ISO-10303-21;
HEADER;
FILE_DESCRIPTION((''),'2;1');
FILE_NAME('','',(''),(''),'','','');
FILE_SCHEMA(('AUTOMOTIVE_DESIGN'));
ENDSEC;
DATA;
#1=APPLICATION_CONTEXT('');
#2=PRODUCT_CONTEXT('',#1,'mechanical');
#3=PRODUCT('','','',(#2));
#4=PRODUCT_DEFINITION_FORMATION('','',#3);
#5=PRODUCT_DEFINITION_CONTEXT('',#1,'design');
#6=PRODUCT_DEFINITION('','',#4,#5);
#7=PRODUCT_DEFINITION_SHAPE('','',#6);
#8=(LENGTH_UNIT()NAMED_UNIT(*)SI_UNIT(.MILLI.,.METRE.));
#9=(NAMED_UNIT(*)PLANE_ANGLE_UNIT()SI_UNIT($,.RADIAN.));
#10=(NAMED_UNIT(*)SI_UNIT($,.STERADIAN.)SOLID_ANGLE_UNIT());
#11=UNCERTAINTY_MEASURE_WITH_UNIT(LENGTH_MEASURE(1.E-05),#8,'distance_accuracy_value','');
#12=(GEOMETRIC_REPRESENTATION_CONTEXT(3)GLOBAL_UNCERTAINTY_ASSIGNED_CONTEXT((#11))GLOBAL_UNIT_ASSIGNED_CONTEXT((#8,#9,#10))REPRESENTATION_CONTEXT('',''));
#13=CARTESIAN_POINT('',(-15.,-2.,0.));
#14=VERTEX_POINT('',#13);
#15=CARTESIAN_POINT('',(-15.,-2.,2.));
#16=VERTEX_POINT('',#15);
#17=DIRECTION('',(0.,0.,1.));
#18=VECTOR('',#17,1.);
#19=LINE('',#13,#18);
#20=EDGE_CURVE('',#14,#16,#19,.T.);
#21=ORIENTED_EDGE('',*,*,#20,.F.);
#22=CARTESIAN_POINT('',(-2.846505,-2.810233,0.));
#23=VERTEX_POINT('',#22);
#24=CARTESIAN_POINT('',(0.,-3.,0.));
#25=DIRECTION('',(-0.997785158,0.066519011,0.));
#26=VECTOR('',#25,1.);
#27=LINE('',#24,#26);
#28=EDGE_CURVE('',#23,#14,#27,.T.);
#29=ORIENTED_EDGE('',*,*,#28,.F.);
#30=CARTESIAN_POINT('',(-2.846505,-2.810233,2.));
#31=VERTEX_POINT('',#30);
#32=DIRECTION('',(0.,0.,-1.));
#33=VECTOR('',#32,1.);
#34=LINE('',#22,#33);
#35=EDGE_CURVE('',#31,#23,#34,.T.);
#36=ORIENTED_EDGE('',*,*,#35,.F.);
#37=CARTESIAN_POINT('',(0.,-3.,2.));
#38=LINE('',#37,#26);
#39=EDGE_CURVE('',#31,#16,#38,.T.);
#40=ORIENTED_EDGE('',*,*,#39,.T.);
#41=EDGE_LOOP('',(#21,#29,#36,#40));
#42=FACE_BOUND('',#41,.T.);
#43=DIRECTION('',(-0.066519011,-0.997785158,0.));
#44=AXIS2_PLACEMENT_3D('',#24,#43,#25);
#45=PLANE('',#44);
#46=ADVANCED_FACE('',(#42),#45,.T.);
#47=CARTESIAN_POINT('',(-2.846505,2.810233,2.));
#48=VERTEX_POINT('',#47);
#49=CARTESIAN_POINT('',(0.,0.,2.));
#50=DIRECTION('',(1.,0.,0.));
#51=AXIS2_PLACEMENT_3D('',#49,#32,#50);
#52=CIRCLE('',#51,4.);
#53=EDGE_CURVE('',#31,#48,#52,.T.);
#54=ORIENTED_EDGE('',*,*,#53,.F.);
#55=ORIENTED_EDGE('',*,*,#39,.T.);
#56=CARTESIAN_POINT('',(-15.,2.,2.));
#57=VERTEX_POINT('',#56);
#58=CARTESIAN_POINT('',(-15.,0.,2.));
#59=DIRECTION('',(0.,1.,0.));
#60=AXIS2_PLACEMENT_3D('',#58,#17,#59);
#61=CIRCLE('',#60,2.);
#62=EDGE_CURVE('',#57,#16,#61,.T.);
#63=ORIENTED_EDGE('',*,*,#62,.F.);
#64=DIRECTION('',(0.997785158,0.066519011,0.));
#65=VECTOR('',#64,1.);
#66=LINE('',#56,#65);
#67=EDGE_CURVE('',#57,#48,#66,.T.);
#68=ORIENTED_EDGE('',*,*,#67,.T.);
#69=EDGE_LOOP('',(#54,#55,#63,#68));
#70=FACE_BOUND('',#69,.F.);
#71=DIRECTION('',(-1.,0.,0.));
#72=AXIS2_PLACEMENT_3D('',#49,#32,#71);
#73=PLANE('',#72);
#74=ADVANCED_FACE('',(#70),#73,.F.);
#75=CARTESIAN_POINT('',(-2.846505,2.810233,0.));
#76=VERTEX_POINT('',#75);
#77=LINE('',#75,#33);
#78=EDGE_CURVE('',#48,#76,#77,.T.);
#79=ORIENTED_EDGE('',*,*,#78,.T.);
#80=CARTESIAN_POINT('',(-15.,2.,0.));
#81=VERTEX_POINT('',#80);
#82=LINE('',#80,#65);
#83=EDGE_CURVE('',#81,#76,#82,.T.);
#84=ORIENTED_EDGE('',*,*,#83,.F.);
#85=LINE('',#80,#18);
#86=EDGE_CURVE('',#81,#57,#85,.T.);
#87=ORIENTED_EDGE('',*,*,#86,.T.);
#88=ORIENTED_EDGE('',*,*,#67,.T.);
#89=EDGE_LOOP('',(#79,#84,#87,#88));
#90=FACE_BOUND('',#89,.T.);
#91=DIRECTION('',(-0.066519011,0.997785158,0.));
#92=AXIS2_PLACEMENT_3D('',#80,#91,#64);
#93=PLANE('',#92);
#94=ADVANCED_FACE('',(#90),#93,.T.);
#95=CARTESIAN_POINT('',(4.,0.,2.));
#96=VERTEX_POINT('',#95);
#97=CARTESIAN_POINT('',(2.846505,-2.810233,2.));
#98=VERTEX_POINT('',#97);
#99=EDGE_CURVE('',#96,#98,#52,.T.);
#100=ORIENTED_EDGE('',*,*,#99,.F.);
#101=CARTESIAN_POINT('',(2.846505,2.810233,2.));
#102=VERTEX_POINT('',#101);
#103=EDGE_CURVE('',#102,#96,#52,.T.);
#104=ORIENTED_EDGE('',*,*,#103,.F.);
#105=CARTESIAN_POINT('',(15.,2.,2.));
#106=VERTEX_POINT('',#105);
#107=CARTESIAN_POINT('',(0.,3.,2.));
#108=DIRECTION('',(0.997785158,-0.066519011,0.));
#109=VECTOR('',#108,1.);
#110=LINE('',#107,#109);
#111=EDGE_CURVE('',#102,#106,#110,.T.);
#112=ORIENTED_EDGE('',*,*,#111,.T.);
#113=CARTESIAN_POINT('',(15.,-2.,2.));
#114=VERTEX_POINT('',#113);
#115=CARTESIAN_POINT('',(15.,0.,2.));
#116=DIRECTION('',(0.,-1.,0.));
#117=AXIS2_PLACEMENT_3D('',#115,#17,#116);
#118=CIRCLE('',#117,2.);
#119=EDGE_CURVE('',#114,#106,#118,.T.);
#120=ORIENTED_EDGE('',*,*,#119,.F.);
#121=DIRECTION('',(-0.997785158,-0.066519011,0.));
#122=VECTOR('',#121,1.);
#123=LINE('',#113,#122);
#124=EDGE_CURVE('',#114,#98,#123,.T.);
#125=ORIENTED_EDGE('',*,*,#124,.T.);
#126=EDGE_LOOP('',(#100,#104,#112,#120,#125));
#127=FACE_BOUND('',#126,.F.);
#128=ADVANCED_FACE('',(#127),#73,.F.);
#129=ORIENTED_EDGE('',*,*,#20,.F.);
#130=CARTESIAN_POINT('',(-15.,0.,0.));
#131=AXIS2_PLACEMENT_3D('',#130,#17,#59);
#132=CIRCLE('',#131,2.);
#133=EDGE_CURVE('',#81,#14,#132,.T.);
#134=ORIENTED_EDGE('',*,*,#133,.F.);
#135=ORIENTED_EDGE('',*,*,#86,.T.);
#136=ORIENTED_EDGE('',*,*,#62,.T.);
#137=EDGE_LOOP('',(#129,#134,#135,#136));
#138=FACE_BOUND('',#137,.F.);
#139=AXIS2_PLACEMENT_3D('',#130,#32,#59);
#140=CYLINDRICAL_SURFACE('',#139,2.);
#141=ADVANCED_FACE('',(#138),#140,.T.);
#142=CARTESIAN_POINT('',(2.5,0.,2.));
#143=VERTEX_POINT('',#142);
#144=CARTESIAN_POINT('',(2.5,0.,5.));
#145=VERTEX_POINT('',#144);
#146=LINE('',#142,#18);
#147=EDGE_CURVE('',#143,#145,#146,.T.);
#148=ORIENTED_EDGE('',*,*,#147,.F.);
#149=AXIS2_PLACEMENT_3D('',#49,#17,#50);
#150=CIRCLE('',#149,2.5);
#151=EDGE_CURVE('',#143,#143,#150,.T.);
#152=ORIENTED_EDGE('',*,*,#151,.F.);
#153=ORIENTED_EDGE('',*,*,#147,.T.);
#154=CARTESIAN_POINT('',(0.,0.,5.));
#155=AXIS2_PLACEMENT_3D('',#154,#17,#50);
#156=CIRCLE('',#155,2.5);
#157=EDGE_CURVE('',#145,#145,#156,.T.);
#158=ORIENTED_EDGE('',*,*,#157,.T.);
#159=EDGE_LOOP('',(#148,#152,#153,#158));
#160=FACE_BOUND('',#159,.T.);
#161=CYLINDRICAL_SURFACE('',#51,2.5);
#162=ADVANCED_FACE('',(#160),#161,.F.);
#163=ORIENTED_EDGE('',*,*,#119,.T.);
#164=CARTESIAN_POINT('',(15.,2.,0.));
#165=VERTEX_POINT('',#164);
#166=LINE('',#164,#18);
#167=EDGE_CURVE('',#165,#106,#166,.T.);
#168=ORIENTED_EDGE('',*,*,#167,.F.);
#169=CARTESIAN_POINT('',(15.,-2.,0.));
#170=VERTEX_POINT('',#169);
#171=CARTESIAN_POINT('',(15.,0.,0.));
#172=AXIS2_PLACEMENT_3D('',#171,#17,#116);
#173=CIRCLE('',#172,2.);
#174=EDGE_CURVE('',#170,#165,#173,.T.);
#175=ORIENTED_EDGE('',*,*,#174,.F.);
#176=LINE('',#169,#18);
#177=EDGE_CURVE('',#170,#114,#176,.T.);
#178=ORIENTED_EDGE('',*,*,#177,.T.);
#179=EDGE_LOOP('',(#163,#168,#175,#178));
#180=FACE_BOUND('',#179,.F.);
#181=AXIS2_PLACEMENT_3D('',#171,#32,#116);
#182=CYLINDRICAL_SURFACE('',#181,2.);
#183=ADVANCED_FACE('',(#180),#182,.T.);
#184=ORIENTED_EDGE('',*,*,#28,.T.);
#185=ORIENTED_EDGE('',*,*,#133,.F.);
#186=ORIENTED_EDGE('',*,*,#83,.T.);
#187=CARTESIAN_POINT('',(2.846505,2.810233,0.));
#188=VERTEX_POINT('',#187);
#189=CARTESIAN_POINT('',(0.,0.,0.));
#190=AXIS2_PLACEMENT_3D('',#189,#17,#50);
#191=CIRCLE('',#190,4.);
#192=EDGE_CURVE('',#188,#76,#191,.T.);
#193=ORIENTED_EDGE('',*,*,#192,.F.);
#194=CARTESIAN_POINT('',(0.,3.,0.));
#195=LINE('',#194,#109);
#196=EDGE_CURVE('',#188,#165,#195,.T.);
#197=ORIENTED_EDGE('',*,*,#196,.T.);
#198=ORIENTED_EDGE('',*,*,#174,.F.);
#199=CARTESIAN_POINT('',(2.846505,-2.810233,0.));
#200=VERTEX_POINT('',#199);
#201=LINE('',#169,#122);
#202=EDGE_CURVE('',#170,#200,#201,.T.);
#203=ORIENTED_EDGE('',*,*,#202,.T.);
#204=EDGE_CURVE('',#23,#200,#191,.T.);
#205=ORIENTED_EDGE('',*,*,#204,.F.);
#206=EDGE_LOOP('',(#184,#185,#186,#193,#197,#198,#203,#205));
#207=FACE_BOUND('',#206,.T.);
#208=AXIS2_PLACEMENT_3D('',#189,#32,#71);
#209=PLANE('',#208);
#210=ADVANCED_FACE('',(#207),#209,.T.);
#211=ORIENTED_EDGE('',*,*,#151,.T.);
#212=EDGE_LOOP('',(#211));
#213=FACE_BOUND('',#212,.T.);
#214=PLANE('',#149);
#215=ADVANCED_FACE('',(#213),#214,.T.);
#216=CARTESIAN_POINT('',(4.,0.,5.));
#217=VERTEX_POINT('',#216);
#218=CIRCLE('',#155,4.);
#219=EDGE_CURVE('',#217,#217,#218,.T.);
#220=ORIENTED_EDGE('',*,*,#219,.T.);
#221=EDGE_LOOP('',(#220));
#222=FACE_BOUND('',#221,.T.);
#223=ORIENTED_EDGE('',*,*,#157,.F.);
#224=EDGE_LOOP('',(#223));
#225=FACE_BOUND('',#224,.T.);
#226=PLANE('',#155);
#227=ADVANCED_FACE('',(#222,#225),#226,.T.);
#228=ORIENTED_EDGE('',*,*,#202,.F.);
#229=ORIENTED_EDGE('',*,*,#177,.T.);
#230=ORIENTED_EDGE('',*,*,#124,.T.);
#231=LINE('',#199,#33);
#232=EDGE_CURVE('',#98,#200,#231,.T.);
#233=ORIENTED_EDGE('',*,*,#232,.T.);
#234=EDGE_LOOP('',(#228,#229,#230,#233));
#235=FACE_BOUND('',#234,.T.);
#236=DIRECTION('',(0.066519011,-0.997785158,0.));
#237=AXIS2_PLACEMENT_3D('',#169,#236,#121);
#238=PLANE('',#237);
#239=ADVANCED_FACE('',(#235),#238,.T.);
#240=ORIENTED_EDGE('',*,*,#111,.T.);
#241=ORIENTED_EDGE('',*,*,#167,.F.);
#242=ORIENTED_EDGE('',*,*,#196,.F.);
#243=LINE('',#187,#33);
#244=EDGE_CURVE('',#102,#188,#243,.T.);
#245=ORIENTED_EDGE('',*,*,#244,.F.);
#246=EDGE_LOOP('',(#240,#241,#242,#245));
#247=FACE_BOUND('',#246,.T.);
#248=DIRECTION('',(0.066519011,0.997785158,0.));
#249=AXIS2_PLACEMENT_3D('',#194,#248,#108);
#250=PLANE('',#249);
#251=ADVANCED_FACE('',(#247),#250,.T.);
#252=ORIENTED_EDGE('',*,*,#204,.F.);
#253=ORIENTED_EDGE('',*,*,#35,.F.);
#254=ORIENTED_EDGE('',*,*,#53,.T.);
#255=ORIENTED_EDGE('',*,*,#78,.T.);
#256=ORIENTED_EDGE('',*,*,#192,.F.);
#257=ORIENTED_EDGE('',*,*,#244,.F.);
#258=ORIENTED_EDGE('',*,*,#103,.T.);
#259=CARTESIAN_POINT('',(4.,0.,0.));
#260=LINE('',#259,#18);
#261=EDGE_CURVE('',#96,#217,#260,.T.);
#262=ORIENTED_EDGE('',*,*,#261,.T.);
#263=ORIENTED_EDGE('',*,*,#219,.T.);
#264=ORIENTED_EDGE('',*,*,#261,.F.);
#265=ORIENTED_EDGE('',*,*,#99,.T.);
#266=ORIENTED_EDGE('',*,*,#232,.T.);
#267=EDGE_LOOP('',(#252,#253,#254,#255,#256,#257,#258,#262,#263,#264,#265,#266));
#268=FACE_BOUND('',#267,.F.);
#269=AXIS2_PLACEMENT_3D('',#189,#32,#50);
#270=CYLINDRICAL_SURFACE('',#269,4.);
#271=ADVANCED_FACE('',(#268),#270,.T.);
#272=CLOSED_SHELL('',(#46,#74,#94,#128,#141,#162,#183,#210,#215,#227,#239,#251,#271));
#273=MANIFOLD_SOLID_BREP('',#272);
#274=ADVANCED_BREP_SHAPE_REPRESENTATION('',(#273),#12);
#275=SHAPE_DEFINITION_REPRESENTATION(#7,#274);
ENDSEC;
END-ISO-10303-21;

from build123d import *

# Parameters (mm, degrees)
CYLINDER001_R     = 2.5
CYLINDER001_DEPTH = 3
CYLINDER_R        = 4
CYLINDER_DEPTH    = 5
PAD_DEPTH         = 2


with BuildPart() as cylinder001:
    # Cylinder001 → Cylinder001 (new body)
    with BuildSketch(Plane.XY.offset(2)):
        Circle(CYLINDER001_R)
    extrude(amount=CYLINDER001_DEPTH)


with BuildPart() as cut:
    # Cylinder → Cylinder (new body)
    with BuildSketch(Plane.XY):
        Circle(CYLINDER_R)
    extrude(amount=CYLINDER_DEPTH)

    # Cut: cut Cylinder001
    add(cylinder001.part, mode=Mode.SUBTRACT)


with BuildPart() as servo_arm:
    # Sketch → Pad (new body)
    with BuildSketch(Plane.XY):
        with BuildLine():
            Line((-15, 2), (0, 3))
            Line((0, 3), (15, 2))
            ThreePointArc((15, -2), (17, 0), (15, 2))
            Line((15, -2), (0, -3))
            Line((0, -3), (-15, -2))
            ThreePointArc((-15, 2), (-17, 0), (-15, -2))
        make_face()
    extrude(amount=PAD_DEPTH)

    # Fusion: union Cut
    add(cut.part)


solid = servo_arm.part
